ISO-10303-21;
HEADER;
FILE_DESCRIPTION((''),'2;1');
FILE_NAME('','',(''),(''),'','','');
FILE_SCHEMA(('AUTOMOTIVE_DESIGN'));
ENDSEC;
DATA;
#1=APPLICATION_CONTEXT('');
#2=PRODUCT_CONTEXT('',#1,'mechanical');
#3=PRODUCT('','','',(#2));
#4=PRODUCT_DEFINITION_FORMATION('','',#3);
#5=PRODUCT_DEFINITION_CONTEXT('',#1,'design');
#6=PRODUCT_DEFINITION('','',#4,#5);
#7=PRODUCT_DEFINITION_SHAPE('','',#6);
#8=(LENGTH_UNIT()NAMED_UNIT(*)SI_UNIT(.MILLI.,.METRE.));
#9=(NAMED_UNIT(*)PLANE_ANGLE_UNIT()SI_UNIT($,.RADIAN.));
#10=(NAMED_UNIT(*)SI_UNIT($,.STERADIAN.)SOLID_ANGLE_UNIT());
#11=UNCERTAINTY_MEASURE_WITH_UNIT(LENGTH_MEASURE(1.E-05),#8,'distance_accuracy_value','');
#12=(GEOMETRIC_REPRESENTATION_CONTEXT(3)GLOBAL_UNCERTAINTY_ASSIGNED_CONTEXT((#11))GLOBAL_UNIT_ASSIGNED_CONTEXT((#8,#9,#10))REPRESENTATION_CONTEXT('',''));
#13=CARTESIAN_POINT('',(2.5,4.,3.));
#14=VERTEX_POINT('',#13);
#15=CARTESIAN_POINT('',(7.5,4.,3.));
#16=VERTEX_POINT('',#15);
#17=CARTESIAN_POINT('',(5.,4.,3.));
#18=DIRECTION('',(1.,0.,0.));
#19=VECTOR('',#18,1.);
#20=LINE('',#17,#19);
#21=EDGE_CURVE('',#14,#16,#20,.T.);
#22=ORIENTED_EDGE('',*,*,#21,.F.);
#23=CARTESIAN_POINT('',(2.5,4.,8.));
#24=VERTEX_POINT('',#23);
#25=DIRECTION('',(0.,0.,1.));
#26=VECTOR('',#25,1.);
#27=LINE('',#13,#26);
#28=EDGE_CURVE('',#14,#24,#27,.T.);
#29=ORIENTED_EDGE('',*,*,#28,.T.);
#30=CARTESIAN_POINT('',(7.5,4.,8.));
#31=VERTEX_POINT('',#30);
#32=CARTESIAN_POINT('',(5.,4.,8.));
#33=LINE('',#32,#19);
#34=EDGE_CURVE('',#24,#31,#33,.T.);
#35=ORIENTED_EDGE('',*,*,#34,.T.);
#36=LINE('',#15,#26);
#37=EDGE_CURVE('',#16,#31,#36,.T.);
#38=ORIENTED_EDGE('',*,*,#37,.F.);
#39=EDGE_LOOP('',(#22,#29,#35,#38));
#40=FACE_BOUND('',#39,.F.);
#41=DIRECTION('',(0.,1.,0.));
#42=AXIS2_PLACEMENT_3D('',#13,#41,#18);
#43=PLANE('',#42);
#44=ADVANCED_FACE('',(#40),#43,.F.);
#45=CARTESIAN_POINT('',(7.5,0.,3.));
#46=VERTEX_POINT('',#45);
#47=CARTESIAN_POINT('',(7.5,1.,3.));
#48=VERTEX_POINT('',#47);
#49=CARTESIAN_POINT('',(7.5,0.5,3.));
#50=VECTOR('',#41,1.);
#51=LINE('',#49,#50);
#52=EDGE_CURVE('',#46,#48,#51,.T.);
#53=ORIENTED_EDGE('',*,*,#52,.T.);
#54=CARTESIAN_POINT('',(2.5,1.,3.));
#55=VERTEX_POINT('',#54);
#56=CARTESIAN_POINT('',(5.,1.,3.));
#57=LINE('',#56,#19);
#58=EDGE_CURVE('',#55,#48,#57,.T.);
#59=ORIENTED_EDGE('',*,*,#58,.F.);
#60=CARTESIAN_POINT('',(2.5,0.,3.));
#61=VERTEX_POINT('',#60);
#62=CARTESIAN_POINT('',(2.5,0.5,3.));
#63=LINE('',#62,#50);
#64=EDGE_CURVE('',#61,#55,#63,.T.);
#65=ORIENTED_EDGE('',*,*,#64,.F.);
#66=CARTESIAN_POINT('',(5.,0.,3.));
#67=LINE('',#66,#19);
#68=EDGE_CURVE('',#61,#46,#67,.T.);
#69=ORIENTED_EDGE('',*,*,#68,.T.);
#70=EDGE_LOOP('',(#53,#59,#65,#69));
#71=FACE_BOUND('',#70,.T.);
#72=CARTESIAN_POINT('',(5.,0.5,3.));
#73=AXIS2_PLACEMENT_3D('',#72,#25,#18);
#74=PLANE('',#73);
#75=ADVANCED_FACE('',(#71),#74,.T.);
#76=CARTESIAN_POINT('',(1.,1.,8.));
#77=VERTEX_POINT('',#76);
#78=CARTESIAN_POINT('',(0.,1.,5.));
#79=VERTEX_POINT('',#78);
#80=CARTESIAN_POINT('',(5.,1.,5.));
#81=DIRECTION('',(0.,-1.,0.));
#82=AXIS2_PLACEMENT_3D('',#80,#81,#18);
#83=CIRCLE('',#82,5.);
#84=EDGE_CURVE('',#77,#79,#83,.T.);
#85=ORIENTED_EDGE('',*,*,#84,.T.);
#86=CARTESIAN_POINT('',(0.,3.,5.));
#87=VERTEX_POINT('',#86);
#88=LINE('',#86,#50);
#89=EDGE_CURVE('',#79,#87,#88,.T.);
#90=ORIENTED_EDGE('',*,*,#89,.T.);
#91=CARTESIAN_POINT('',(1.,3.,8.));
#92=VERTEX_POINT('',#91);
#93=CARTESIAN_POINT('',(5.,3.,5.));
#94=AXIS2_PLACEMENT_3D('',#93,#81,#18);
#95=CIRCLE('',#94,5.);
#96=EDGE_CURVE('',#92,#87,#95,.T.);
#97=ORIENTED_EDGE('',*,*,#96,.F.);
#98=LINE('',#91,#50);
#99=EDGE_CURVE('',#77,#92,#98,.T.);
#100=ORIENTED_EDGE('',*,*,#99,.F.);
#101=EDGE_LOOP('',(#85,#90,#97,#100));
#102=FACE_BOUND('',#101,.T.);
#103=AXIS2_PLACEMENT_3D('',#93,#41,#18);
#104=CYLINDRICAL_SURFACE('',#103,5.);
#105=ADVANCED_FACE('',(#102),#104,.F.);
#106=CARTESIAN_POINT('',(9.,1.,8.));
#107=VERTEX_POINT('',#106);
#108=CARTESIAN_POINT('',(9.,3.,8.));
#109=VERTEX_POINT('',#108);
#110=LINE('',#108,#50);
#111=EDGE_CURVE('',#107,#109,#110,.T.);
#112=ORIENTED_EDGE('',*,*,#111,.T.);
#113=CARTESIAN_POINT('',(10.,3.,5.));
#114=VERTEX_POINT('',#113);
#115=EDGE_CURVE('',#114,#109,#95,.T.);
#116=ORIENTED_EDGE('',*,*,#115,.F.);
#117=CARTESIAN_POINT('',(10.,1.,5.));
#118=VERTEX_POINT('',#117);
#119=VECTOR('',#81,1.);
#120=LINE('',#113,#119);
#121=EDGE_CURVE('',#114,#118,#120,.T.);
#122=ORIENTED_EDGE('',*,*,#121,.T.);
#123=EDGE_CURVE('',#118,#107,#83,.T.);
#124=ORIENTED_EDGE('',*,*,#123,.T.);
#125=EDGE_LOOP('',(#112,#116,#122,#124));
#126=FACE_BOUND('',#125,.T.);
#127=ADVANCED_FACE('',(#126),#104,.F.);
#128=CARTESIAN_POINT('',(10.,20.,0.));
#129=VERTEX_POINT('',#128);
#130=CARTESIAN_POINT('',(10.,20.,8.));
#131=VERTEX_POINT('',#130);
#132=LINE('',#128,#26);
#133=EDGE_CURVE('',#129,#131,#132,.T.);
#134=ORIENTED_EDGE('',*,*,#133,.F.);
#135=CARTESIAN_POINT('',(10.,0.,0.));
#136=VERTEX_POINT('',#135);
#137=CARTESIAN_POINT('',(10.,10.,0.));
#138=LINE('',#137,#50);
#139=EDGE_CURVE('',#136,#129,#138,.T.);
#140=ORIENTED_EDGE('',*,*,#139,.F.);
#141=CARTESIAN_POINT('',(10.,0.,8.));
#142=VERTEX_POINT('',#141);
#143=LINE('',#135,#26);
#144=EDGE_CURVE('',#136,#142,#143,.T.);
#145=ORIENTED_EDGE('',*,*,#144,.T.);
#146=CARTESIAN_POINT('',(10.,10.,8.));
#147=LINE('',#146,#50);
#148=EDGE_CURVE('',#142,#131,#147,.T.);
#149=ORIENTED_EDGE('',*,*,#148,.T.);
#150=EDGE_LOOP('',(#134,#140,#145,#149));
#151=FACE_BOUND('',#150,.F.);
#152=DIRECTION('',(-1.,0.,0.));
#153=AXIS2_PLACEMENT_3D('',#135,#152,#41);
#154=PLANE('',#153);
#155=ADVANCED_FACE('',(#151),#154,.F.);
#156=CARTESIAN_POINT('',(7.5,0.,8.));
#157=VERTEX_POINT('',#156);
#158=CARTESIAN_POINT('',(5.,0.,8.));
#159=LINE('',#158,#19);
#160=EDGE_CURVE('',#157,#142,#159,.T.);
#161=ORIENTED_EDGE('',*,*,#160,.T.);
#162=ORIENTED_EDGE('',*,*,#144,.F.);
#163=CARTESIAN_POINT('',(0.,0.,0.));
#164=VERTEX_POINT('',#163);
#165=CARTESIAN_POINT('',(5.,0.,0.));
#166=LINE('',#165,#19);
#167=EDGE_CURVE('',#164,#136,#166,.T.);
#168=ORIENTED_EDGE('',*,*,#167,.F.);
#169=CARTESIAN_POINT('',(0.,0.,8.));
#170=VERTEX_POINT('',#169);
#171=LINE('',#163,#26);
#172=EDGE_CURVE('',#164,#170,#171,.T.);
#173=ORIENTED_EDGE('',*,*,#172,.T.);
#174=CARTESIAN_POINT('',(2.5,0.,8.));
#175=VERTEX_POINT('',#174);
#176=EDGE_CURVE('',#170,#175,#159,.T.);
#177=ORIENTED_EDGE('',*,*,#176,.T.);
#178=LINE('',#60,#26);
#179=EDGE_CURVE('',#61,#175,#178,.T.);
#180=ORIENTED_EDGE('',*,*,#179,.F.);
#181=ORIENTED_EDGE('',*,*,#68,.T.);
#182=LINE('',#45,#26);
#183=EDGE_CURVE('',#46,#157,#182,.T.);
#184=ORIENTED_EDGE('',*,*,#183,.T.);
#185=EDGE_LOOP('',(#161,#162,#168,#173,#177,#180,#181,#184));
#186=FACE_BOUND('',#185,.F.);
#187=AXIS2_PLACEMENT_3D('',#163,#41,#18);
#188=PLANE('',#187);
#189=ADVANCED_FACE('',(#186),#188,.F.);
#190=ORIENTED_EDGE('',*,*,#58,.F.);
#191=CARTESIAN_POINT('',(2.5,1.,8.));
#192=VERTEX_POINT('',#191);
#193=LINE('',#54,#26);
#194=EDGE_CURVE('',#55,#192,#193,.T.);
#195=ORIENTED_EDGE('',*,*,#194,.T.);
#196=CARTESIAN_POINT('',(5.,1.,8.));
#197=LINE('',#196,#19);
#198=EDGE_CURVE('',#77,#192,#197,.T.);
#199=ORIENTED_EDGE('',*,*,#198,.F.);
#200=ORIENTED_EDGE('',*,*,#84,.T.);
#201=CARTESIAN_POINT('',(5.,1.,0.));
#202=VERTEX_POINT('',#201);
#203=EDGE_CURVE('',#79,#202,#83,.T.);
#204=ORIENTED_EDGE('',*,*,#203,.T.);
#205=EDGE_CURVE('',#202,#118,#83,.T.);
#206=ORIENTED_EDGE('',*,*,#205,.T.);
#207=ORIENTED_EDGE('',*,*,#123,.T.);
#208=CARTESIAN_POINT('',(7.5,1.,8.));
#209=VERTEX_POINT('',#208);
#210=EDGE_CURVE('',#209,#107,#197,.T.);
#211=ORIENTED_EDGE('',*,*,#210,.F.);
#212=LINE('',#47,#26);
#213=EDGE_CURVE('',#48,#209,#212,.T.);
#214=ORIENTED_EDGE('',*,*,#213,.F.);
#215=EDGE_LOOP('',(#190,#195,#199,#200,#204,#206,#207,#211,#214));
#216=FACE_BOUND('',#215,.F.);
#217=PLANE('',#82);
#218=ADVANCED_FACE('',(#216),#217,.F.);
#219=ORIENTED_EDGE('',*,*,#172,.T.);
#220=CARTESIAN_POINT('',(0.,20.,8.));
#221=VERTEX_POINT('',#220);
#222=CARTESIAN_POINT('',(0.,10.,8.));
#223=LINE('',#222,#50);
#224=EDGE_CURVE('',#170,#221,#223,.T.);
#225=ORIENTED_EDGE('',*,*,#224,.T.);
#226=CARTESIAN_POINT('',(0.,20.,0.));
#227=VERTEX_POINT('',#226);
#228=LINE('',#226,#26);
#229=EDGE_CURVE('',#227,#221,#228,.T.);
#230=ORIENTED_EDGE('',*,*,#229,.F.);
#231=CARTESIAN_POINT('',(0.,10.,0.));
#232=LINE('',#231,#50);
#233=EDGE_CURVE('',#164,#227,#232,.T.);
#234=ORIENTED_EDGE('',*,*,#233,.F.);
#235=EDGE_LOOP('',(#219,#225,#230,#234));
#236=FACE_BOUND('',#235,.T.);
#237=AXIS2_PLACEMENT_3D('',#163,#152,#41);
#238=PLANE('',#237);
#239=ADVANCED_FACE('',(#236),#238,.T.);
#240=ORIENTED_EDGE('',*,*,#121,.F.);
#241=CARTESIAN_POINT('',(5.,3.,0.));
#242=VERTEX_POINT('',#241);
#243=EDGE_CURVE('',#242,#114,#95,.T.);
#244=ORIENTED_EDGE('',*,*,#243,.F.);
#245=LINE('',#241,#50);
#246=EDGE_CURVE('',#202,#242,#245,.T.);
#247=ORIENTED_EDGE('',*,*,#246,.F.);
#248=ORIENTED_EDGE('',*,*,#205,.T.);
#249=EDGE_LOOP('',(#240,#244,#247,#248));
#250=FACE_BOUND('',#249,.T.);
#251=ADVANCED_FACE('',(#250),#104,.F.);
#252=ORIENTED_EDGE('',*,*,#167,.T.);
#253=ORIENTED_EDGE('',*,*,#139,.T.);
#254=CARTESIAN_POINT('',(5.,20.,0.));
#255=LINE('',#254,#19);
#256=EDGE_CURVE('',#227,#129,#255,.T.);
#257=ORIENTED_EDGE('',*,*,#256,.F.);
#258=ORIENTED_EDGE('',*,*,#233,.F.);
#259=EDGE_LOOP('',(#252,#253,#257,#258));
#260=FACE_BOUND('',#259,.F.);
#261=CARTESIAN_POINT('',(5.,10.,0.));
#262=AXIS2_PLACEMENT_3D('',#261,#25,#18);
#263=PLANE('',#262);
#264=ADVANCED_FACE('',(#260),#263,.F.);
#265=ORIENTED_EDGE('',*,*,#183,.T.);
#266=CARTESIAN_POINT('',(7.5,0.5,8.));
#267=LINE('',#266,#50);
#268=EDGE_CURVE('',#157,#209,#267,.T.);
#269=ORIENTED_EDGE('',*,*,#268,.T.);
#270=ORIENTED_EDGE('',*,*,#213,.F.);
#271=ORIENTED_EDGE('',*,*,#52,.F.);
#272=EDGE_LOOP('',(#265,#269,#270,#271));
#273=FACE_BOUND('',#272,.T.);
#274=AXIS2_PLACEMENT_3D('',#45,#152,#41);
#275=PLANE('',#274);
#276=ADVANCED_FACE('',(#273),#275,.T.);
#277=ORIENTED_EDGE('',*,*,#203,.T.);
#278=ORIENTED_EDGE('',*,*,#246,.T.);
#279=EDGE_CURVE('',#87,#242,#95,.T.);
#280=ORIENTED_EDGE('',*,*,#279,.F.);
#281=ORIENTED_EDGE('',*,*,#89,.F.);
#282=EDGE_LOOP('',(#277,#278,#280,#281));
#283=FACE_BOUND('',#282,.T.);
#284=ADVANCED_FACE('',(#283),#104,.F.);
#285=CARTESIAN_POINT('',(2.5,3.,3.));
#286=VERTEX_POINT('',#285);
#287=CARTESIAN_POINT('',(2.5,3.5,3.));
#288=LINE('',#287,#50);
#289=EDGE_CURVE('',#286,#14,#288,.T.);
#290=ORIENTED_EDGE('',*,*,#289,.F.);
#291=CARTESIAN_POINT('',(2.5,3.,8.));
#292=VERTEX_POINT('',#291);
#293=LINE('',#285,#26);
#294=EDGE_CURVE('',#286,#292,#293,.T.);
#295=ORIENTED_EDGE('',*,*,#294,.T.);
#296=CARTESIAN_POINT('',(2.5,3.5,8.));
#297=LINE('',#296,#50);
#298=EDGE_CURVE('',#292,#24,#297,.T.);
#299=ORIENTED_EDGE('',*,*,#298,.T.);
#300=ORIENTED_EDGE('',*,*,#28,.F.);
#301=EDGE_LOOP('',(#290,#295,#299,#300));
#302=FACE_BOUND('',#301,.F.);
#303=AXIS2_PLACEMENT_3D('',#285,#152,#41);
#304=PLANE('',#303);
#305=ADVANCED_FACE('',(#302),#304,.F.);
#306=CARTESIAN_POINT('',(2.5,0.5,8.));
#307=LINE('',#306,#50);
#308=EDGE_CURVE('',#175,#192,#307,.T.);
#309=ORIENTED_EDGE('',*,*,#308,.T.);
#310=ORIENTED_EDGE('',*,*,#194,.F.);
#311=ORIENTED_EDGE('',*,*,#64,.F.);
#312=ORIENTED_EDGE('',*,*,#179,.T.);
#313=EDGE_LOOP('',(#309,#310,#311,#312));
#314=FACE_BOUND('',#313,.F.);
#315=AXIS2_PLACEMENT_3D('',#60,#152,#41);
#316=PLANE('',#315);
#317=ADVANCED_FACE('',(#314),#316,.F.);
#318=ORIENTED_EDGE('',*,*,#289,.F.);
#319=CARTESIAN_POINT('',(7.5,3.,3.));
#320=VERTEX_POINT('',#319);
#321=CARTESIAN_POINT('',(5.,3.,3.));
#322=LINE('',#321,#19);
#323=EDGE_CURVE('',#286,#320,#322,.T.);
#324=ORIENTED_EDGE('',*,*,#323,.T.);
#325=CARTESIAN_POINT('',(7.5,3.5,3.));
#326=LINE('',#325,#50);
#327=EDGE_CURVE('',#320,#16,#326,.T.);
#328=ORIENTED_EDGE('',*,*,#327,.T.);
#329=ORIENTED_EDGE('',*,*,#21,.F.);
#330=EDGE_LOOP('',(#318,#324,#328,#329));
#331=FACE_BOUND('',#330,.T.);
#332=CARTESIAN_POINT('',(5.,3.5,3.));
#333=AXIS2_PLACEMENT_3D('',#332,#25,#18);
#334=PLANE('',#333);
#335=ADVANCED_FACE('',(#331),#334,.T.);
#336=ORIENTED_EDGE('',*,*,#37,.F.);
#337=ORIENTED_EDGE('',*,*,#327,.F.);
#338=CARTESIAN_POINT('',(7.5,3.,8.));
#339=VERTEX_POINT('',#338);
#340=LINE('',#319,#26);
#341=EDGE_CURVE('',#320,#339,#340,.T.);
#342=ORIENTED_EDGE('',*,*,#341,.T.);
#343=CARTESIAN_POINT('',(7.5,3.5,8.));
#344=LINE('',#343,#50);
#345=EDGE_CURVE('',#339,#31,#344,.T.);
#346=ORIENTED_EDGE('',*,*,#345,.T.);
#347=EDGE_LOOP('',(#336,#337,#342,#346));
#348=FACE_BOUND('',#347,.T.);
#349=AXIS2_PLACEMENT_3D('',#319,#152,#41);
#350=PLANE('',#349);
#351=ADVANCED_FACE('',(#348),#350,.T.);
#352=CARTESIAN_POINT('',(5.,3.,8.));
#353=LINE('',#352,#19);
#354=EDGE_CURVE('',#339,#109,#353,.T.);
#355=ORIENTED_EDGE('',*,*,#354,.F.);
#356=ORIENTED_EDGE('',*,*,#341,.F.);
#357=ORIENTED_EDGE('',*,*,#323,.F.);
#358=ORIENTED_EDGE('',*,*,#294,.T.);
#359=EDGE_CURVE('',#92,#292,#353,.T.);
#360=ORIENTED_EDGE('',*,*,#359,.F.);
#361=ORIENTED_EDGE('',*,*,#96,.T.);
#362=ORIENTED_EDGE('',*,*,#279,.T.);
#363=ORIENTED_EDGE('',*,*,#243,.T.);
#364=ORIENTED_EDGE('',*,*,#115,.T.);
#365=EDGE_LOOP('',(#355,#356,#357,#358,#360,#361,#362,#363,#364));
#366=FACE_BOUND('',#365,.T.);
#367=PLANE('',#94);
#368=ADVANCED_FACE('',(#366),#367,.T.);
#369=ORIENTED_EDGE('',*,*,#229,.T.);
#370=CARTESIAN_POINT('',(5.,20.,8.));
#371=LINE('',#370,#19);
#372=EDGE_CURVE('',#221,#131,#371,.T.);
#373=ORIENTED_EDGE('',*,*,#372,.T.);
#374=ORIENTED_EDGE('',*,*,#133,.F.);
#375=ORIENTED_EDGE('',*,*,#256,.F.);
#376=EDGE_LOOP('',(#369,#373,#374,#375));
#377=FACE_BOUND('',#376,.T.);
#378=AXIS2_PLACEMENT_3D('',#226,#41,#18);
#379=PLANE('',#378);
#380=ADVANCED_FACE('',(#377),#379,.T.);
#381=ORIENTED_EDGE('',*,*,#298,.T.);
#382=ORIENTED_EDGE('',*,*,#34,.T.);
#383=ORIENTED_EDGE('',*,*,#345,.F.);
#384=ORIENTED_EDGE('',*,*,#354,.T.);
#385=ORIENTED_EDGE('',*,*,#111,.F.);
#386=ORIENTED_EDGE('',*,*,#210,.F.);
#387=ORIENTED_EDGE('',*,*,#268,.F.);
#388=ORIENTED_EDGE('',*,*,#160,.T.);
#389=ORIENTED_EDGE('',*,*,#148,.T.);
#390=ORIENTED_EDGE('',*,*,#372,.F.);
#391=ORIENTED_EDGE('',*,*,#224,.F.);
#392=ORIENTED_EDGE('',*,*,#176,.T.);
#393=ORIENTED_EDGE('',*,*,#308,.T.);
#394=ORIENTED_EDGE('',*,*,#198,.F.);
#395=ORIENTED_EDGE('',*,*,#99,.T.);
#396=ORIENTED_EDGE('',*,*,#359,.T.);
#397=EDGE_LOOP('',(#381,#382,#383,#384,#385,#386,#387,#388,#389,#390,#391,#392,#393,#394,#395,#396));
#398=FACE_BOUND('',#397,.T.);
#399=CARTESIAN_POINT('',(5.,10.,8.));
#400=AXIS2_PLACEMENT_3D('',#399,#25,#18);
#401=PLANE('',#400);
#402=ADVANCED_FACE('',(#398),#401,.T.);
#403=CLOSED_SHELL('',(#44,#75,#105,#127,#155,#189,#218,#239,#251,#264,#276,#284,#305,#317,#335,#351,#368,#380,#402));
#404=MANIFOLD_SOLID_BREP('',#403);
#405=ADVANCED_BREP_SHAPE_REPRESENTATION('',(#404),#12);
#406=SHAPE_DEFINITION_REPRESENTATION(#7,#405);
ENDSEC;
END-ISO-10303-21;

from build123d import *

# Parameters (mm, degrees)
BOX002_W            = 5
BOX002_H            = 1
BOX002_DEPTH        = 5
BOX001_W            = 5
BOX001_H            = 1
BOX001_DEPTH        = 5
CYLINDER_R          = 5
CYLINDER_DEPTH      = 2
CYLINDER_ROLL_ANGLE = 90
BOX_W               = 10
BOX_H               = 20
BOX_DEPTH           = 8


with BuildPart() as interior_opening:
    # Box002 → Box002 (new body)
    with BuildSketch(Plane(origin=(2.5, 3, 3), x_dir=(1, 0, 0), z_dir=(0, 0, 1))):
        with Locations((2.5, 0.5)):
            Rectangle(BOX002_W, BOX002_H)
    extrude(amount=BOX002_DEPTH)


with BuildPart() as end_opening:
    # Box001 → Box001 (new body)
    with BuildSketch(Plane(origin=(2.5, 0, 3), x_dir=(1, 0, 0), z_dir=(0, 0, 1))):
        with Locations((2.5, 0.5)):
            Rectangle(BOX001_W, BOX001_H)
    extrude(amount=BOX001_DEPTH)


with BuildPart() as solenoid_head_slot:
    # Cylinder → Cylinder (new body)
    with BuildSketch(Plane.XY):
        Circle(CYLINDER_R)
    extrude(amount=CYLINDER_DEPTH)


with BuildPart() as solenoid_head_slot_1:
    # Cylinder roll: moved
    add(solenoid_head_slot.part.rotate(Axis((0, 0, 0), (1, 0, 0)), CYLINDER_ROLL_ANGLE))


with BuildPart() as solenoid_head_slot_2:
    # Cylinder placement: moved
    add(solenoid_head_slot_1.part.moved(Location((5, 3, 5))))


with BuildPart() as cut002:
    # Box → Box (new body)
    with BuildSketch(Plane.XY):
        with Locations((5, 10)):
            Rectangle(BOX_W, BOX_H)
    extrude(amount=BOX_DEPTH)

    # Cut: cut solenoid_head_slot
    add(solenoid_head_slot_2.part, mode=Mode.SUBTRACT)

    # Cut001: cut end_opening
    add(end_opening.part, mode=Mode.SUBTRACT)

    # Cut002: cut interior_opening
    add(interior_opening.part, mode=Mode.SUBTRACT)


solid = cut002.part
